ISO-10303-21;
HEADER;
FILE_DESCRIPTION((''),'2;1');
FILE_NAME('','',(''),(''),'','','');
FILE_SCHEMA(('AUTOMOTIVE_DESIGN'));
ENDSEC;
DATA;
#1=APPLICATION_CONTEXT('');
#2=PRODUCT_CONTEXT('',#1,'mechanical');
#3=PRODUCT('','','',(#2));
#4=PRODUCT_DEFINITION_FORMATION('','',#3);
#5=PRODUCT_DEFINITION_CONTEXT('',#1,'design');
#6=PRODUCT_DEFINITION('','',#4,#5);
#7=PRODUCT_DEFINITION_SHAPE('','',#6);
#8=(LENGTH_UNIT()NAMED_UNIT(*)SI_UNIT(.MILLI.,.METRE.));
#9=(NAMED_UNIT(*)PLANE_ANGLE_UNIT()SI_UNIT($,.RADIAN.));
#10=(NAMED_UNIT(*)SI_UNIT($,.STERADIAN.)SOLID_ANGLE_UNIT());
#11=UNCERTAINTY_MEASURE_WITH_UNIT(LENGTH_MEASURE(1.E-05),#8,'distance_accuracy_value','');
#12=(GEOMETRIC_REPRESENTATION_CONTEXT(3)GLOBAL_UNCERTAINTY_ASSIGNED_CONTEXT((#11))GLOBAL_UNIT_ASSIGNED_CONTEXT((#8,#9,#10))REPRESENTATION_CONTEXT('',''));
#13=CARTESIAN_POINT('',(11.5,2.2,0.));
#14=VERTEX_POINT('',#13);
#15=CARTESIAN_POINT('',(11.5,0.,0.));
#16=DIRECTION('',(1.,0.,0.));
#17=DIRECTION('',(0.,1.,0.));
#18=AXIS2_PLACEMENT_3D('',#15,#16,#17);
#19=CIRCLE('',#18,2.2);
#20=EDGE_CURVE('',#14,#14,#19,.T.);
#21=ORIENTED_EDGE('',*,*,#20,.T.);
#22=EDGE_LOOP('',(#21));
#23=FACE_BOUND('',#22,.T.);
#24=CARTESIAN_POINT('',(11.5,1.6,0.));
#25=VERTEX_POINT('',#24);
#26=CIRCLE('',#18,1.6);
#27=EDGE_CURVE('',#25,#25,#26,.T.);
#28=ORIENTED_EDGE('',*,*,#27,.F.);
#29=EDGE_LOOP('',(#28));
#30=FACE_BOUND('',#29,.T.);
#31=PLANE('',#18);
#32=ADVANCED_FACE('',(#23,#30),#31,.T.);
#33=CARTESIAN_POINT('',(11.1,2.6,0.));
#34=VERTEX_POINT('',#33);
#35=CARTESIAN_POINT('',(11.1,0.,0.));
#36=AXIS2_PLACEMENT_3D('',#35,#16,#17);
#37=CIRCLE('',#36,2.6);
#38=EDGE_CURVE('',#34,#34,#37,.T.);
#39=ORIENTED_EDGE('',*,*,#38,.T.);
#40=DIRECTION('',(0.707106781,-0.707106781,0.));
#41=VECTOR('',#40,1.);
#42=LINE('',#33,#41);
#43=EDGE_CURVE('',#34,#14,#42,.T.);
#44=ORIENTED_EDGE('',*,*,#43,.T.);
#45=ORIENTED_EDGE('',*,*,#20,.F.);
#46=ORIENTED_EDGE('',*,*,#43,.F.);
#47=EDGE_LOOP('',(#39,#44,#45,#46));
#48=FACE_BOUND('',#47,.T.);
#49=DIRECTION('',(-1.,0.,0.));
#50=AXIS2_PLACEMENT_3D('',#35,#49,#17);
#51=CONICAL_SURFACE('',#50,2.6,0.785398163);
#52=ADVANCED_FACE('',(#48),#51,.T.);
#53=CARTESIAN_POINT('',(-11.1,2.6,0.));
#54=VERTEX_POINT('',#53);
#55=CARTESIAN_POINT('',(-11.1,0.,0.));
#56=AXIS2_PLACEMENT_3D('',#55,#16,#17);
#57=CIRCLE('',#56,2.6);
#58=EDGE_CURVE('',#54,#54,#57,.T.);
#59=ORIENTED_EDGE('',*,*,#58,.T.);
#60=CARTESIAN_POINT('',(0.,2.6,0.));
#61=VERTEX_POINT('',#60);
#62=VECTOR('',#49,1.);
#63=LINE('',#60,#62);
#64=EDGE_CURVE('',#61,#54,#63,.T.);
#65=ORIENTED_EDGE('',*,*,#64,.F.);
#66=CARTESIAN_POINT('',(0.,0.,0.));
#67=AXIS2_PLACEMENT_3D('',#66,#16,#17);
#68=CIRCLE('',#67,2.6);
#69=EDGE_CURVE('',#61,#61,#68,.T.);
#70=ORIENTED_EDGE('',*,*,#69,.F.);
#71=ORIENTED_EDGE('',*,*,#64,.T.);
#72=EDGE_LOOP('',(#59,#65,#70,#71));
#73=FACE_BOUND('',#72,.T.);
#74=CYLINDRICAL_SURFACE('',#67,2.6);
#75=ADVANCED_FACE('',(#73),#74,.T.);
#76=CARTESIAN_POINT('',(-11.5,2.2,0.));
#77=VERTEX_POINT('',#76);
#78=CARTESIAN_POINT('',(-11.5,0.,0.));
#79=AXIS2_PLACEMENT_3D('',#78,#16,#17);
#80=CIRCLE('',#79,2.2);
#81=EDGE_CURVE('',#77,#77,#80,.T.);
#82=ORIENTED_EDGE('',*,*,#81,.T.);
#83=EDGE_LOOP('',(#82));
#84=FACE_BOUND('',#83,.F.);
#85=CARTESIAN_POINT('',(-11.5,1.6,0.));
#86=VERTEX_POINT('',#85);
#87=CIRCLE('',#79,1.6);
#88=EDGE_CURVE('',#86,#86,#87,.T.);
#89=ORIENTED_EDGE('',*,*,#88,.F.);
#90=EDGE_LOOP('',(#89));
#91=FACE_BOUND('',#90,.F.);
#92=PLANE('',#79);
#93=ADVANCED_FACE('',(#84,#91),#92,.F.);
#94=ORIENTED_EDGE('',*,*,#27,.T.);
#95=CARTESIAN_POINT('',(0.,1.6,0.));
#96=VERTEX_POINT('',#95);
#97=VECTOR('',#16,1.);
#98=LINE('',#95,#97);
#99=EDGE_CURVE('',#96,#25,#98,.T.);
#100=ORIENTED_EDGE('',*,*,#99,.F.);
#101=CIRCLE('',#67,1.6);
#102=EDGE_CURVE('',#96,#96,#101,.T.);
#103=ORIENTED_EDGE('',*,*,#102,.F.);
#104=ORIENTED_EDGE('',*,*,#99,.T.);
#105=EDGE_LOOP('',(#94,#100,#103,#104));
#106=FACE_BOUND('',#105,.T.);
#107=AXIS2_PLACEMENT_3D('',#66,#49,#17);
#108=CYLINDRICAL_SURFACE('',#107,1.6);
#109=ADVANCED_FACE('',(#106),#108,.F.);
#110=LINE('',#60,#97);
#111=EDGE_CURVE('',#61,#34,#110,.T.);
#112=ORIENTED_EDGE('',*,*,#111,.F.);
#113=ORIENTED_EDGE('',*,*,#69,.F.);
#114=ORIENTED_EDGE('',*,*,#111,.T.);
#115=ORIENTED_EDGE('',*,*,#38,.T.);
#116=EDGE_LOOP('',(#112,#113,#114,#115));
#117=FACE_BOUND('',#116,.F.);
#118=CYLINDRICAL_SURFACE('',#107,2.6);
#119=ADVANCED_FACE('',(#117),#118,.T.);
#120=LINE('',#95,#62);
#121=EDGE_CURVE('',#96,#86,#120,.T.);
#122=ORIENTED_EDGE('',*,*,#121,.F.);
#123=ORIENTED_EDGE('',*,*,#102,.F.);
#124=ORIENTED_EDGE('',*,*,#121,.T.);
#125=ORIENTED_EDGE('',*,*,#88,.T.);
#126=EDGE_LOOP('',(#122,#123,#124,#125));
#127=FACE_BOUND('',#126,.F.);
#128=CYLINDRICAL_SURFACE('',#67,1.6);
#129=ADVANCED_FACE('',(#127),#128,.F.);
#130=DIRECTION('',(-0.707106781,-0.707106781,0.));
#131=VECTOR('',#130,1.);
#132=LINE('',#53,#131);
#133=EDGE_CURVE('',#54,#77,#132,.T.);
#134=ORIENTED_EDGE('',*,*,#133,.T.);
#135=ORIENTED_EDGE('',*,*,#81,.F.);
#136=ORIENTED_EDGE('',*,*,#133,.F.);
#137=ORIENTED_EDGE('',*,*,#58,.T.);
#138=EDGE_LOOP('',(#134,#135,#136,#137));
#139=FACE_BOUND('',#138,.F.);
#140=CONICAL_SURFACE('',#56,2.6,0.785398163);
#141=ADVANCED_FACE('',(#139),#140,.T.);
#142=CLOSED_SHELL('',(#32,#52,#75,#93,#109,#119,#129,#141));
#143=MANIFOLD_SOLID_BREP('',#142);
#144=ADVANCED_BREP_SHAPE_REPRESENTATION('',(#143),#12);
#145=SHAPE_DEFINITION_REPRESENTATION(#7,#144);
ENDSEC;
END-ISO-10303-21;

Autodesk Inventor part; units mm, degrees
ref_plane "YZ Plane" through (0, 0, 0) normal (1, 0, 0) x (0, 1, 0)
ref_plane "XZ Plane" through (0, 0, 0) normal (0, 1, 0) x (-1, 0, 0)
ref_plane "XY Plane" through (0, 0, 0) normal (0, 0, 1) x (1, 0, 0)
sketch "スケッチ1" plane through (0, 0, 0) normal (1, 0, 0) x (0, 1, 0)
  circle A0 centre (0, 0) radius 2.6
  circle A1 centre (0, 0) radius 1.6
  dimension "d0" = 3.2
  dimension "d1" = 1
extrude "押し出し1" add sketch "スケッチ1" along normal mid plane 23
chamfer "面取り1" distance 0.4 angle 45 2 edges at (11.5, -2.6, 0) (-11.5, -2.6, 0)
properties part number "spacer_Φ3.2_1"
